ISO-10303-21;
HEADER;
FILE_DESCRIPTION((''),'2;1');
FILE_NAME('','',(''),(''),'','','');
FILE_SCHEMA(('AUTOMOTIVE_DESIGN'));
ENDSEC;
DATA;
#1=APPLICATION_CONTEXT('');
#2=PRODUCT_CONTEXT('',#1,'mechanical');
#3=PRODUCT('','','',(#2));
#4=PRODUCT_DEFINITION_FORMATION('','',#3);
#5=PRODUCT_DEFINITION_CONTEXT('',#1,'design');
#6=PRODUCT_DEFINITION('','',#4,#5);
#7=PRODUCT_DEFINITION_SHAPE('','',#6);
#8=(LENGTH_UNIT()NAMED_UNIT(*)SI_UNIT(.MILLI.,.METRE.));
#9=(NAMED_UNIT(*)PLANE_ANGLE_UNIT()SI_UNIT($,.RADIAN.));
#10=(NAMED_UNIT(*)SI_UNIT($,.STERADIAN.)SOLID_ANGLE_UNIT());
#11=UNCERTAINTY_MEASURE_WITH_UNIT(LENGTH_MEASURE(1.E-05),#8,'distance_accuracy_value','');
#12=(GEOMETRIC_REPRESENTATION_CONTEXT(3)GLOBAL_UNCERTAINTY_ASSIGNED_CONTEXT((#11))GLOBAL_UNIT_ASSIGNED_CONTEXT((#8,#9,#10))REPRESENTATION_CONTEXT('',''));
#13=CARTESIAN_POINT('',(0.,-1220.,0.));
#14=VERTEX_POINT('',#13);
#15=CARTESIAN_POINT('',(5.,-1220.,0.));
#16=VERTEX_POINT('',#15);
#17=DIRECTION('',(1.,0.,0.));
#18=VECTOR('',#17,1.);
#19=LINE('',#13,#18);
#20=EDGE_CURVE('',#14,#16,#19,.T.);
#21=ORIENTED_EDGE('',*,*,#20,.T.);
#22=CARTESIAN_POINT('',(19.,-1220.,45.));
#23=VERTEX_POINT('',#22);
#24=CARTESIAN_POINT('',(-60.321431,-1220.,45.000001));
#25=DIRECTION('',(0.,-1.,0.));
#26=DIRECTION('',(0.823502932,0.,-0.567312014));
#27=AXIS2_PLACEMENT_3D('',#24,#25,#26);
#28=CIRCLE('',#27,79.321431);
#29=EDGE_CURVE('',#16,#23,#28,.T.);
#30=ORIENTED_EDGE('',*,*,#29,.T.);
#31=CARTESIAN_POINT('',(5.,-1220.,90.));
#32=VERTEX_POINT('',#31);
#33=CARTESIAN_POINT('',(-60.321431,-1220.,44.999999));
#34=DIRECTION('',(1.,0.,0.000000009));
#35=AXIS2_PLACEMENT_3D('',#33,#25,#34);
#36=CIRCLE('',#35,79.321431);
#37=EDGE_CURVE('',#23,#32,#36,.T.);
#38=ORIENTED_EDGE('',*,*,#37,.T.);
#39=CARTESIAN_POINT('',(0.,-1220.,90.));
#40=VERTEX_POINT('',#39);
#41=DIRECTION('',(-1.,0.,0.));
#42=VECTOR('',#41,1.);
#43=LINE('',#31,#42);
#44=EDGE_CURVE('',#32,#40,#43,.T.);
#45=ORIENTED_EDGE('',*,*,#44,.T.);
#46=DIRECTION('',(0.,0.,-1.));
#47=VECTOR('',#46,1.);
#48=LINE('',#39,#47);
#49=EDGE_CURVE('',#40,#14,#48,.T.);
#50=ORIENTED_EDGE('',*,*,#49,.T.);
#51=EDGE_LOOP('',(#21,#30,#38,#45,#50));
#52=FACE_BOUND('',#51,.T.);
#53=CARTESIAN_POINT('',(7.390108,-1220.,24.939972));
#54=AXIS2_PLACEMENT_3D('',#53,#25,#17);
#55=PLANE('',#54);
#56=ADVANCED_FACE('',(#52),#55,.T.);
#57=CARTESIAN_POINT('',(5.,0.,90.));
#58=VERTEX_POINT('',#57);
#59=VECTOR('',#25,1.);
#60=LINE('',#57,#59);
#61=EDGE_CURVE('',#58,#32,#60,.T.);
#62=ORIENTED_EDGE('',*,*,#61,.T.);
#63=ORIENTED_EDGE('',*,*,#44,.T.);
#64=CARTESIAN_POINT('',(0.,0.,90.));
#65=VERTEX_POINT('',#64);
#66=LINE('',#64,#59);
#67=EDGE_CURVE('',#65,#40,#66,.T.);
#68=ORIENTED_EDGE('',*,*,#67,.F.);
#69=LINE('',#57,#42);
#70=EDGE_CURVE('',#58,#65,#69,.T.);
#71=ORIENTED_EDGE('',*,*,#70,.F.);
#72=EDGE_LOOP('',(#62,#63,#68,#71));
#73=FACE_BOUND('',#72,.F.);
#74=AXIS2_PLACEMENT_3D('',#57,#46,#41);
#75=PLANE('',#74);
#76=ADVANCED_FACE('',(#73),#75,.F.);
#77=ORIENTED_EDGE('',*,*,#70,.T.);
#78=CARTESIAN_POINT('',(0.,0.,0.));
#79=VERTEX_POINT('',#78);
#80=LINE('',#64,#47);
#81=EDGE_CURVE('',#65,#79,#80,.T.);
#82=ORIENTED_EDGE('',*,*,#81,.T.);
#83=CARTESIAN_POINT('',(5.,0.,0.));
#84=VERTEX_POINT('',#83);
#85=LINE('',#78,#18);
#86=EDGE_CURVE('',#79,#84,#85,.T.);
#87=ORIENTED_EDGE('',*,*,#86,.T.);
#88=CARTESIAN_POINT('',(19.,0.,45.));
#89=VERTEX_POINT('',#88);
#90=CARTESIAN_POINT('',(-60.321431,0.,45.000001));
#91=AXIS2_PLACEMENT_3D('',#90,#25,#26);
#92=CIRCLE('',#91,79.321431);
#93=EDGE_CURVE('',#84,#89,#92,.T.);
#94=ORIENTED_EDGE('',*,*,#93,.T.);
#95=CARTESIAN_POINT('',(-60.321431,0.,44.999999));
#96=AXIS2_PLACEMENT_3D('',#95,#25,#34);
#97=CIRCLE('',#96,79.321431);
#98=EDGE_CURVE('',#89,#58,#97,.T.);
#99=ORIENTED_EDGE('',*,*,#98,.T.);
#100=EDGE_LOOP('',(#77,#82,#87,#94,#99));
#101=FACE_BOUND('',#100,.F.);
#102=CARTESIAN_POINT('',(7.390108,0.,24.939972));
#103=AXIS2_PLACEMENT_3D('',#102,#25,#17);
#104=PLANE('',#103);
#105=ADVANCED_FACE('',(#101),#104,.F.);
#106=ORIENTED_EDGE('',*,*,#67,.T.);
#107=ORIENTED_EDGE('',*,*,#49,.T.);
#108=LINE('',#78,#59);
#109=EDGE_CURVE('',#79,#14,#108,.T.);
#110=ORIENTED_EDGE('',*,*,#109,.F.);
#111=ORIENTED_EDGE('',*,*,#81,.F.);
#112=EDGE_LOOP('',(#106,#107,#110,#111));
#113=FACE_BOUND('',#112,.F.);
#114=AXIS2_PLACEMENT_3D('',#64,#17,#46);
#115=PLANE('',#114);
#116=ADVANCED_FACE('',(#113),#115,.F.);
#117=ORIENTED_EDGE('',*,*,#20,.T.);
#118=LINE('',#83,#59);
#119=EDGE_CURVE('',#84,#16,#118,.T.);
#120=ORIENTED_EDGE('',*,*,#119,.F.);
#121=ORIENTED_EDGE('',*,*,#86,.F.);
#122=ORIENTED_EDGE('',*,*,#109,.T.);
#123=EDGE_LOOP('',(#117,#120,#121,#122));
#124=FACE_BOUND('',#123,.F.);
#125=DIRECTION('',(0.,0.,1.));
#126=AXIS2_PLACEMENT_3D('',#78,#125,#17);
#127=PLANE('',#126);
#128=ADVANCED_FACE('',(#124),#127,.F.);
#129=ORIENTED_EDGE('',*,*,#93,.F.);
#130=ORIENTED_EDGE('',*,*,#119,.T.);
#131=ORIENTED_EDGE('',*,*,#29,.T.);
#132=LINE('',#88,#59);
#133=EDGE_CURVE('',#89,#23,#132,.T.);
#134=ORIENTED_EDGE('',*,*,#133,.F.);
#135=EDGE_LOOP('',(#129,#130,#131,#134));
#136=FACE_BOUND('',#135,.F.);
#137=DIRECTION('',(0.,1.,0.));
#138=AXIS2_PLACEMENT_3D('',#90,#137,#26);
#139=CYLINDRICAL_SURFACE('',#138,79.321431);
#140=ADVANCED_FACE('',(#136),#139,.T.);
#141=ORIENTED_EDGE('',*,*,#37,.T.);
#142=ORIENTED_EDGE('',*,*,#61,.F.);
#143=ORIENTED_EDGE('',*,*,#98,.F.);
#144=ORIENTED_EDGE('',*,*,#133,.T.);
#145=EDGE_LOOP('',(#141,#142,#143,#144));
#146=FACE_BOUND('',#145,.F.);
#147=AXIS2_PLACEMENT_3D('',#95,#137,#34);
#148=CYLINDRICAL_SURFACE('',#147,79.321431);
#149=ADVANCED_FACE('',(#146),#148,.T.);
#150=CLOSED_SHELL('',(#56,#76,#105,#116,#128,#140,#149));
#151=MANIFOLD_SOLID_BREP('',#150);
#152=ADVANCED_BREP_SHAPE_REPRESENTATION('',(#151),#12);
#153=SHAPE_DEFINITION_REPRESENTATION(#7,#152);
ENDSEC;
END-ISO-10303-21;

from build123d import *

# Parameters (mm, degrees)
F1_DEPTH = 1220


with BuildPart() as f1:
    # F0 (on Front) → F1 (new body)
    with BuildSketch(Plane.XZ):
        with BuildLine():
            Line((0, 45), (0, 0))
            Line((0, 0), (5, 0))
            ThreePointArc((5, 0), (15.419175, 21.436257), (19, 45))
            Line((19, 45), (0, 45))
        make_face()
        with BuildLine():
            Line((0, 90), (0, 45))
            Line((0, 45), (19, 45))
            ThreePointArc((19, 45), (15.419175, 68.563743), (5, 90))
            Line((5, 90), (0, 90))
        make_face()
    extrude(amount=F1_DEPTH)


solid = f1.part
